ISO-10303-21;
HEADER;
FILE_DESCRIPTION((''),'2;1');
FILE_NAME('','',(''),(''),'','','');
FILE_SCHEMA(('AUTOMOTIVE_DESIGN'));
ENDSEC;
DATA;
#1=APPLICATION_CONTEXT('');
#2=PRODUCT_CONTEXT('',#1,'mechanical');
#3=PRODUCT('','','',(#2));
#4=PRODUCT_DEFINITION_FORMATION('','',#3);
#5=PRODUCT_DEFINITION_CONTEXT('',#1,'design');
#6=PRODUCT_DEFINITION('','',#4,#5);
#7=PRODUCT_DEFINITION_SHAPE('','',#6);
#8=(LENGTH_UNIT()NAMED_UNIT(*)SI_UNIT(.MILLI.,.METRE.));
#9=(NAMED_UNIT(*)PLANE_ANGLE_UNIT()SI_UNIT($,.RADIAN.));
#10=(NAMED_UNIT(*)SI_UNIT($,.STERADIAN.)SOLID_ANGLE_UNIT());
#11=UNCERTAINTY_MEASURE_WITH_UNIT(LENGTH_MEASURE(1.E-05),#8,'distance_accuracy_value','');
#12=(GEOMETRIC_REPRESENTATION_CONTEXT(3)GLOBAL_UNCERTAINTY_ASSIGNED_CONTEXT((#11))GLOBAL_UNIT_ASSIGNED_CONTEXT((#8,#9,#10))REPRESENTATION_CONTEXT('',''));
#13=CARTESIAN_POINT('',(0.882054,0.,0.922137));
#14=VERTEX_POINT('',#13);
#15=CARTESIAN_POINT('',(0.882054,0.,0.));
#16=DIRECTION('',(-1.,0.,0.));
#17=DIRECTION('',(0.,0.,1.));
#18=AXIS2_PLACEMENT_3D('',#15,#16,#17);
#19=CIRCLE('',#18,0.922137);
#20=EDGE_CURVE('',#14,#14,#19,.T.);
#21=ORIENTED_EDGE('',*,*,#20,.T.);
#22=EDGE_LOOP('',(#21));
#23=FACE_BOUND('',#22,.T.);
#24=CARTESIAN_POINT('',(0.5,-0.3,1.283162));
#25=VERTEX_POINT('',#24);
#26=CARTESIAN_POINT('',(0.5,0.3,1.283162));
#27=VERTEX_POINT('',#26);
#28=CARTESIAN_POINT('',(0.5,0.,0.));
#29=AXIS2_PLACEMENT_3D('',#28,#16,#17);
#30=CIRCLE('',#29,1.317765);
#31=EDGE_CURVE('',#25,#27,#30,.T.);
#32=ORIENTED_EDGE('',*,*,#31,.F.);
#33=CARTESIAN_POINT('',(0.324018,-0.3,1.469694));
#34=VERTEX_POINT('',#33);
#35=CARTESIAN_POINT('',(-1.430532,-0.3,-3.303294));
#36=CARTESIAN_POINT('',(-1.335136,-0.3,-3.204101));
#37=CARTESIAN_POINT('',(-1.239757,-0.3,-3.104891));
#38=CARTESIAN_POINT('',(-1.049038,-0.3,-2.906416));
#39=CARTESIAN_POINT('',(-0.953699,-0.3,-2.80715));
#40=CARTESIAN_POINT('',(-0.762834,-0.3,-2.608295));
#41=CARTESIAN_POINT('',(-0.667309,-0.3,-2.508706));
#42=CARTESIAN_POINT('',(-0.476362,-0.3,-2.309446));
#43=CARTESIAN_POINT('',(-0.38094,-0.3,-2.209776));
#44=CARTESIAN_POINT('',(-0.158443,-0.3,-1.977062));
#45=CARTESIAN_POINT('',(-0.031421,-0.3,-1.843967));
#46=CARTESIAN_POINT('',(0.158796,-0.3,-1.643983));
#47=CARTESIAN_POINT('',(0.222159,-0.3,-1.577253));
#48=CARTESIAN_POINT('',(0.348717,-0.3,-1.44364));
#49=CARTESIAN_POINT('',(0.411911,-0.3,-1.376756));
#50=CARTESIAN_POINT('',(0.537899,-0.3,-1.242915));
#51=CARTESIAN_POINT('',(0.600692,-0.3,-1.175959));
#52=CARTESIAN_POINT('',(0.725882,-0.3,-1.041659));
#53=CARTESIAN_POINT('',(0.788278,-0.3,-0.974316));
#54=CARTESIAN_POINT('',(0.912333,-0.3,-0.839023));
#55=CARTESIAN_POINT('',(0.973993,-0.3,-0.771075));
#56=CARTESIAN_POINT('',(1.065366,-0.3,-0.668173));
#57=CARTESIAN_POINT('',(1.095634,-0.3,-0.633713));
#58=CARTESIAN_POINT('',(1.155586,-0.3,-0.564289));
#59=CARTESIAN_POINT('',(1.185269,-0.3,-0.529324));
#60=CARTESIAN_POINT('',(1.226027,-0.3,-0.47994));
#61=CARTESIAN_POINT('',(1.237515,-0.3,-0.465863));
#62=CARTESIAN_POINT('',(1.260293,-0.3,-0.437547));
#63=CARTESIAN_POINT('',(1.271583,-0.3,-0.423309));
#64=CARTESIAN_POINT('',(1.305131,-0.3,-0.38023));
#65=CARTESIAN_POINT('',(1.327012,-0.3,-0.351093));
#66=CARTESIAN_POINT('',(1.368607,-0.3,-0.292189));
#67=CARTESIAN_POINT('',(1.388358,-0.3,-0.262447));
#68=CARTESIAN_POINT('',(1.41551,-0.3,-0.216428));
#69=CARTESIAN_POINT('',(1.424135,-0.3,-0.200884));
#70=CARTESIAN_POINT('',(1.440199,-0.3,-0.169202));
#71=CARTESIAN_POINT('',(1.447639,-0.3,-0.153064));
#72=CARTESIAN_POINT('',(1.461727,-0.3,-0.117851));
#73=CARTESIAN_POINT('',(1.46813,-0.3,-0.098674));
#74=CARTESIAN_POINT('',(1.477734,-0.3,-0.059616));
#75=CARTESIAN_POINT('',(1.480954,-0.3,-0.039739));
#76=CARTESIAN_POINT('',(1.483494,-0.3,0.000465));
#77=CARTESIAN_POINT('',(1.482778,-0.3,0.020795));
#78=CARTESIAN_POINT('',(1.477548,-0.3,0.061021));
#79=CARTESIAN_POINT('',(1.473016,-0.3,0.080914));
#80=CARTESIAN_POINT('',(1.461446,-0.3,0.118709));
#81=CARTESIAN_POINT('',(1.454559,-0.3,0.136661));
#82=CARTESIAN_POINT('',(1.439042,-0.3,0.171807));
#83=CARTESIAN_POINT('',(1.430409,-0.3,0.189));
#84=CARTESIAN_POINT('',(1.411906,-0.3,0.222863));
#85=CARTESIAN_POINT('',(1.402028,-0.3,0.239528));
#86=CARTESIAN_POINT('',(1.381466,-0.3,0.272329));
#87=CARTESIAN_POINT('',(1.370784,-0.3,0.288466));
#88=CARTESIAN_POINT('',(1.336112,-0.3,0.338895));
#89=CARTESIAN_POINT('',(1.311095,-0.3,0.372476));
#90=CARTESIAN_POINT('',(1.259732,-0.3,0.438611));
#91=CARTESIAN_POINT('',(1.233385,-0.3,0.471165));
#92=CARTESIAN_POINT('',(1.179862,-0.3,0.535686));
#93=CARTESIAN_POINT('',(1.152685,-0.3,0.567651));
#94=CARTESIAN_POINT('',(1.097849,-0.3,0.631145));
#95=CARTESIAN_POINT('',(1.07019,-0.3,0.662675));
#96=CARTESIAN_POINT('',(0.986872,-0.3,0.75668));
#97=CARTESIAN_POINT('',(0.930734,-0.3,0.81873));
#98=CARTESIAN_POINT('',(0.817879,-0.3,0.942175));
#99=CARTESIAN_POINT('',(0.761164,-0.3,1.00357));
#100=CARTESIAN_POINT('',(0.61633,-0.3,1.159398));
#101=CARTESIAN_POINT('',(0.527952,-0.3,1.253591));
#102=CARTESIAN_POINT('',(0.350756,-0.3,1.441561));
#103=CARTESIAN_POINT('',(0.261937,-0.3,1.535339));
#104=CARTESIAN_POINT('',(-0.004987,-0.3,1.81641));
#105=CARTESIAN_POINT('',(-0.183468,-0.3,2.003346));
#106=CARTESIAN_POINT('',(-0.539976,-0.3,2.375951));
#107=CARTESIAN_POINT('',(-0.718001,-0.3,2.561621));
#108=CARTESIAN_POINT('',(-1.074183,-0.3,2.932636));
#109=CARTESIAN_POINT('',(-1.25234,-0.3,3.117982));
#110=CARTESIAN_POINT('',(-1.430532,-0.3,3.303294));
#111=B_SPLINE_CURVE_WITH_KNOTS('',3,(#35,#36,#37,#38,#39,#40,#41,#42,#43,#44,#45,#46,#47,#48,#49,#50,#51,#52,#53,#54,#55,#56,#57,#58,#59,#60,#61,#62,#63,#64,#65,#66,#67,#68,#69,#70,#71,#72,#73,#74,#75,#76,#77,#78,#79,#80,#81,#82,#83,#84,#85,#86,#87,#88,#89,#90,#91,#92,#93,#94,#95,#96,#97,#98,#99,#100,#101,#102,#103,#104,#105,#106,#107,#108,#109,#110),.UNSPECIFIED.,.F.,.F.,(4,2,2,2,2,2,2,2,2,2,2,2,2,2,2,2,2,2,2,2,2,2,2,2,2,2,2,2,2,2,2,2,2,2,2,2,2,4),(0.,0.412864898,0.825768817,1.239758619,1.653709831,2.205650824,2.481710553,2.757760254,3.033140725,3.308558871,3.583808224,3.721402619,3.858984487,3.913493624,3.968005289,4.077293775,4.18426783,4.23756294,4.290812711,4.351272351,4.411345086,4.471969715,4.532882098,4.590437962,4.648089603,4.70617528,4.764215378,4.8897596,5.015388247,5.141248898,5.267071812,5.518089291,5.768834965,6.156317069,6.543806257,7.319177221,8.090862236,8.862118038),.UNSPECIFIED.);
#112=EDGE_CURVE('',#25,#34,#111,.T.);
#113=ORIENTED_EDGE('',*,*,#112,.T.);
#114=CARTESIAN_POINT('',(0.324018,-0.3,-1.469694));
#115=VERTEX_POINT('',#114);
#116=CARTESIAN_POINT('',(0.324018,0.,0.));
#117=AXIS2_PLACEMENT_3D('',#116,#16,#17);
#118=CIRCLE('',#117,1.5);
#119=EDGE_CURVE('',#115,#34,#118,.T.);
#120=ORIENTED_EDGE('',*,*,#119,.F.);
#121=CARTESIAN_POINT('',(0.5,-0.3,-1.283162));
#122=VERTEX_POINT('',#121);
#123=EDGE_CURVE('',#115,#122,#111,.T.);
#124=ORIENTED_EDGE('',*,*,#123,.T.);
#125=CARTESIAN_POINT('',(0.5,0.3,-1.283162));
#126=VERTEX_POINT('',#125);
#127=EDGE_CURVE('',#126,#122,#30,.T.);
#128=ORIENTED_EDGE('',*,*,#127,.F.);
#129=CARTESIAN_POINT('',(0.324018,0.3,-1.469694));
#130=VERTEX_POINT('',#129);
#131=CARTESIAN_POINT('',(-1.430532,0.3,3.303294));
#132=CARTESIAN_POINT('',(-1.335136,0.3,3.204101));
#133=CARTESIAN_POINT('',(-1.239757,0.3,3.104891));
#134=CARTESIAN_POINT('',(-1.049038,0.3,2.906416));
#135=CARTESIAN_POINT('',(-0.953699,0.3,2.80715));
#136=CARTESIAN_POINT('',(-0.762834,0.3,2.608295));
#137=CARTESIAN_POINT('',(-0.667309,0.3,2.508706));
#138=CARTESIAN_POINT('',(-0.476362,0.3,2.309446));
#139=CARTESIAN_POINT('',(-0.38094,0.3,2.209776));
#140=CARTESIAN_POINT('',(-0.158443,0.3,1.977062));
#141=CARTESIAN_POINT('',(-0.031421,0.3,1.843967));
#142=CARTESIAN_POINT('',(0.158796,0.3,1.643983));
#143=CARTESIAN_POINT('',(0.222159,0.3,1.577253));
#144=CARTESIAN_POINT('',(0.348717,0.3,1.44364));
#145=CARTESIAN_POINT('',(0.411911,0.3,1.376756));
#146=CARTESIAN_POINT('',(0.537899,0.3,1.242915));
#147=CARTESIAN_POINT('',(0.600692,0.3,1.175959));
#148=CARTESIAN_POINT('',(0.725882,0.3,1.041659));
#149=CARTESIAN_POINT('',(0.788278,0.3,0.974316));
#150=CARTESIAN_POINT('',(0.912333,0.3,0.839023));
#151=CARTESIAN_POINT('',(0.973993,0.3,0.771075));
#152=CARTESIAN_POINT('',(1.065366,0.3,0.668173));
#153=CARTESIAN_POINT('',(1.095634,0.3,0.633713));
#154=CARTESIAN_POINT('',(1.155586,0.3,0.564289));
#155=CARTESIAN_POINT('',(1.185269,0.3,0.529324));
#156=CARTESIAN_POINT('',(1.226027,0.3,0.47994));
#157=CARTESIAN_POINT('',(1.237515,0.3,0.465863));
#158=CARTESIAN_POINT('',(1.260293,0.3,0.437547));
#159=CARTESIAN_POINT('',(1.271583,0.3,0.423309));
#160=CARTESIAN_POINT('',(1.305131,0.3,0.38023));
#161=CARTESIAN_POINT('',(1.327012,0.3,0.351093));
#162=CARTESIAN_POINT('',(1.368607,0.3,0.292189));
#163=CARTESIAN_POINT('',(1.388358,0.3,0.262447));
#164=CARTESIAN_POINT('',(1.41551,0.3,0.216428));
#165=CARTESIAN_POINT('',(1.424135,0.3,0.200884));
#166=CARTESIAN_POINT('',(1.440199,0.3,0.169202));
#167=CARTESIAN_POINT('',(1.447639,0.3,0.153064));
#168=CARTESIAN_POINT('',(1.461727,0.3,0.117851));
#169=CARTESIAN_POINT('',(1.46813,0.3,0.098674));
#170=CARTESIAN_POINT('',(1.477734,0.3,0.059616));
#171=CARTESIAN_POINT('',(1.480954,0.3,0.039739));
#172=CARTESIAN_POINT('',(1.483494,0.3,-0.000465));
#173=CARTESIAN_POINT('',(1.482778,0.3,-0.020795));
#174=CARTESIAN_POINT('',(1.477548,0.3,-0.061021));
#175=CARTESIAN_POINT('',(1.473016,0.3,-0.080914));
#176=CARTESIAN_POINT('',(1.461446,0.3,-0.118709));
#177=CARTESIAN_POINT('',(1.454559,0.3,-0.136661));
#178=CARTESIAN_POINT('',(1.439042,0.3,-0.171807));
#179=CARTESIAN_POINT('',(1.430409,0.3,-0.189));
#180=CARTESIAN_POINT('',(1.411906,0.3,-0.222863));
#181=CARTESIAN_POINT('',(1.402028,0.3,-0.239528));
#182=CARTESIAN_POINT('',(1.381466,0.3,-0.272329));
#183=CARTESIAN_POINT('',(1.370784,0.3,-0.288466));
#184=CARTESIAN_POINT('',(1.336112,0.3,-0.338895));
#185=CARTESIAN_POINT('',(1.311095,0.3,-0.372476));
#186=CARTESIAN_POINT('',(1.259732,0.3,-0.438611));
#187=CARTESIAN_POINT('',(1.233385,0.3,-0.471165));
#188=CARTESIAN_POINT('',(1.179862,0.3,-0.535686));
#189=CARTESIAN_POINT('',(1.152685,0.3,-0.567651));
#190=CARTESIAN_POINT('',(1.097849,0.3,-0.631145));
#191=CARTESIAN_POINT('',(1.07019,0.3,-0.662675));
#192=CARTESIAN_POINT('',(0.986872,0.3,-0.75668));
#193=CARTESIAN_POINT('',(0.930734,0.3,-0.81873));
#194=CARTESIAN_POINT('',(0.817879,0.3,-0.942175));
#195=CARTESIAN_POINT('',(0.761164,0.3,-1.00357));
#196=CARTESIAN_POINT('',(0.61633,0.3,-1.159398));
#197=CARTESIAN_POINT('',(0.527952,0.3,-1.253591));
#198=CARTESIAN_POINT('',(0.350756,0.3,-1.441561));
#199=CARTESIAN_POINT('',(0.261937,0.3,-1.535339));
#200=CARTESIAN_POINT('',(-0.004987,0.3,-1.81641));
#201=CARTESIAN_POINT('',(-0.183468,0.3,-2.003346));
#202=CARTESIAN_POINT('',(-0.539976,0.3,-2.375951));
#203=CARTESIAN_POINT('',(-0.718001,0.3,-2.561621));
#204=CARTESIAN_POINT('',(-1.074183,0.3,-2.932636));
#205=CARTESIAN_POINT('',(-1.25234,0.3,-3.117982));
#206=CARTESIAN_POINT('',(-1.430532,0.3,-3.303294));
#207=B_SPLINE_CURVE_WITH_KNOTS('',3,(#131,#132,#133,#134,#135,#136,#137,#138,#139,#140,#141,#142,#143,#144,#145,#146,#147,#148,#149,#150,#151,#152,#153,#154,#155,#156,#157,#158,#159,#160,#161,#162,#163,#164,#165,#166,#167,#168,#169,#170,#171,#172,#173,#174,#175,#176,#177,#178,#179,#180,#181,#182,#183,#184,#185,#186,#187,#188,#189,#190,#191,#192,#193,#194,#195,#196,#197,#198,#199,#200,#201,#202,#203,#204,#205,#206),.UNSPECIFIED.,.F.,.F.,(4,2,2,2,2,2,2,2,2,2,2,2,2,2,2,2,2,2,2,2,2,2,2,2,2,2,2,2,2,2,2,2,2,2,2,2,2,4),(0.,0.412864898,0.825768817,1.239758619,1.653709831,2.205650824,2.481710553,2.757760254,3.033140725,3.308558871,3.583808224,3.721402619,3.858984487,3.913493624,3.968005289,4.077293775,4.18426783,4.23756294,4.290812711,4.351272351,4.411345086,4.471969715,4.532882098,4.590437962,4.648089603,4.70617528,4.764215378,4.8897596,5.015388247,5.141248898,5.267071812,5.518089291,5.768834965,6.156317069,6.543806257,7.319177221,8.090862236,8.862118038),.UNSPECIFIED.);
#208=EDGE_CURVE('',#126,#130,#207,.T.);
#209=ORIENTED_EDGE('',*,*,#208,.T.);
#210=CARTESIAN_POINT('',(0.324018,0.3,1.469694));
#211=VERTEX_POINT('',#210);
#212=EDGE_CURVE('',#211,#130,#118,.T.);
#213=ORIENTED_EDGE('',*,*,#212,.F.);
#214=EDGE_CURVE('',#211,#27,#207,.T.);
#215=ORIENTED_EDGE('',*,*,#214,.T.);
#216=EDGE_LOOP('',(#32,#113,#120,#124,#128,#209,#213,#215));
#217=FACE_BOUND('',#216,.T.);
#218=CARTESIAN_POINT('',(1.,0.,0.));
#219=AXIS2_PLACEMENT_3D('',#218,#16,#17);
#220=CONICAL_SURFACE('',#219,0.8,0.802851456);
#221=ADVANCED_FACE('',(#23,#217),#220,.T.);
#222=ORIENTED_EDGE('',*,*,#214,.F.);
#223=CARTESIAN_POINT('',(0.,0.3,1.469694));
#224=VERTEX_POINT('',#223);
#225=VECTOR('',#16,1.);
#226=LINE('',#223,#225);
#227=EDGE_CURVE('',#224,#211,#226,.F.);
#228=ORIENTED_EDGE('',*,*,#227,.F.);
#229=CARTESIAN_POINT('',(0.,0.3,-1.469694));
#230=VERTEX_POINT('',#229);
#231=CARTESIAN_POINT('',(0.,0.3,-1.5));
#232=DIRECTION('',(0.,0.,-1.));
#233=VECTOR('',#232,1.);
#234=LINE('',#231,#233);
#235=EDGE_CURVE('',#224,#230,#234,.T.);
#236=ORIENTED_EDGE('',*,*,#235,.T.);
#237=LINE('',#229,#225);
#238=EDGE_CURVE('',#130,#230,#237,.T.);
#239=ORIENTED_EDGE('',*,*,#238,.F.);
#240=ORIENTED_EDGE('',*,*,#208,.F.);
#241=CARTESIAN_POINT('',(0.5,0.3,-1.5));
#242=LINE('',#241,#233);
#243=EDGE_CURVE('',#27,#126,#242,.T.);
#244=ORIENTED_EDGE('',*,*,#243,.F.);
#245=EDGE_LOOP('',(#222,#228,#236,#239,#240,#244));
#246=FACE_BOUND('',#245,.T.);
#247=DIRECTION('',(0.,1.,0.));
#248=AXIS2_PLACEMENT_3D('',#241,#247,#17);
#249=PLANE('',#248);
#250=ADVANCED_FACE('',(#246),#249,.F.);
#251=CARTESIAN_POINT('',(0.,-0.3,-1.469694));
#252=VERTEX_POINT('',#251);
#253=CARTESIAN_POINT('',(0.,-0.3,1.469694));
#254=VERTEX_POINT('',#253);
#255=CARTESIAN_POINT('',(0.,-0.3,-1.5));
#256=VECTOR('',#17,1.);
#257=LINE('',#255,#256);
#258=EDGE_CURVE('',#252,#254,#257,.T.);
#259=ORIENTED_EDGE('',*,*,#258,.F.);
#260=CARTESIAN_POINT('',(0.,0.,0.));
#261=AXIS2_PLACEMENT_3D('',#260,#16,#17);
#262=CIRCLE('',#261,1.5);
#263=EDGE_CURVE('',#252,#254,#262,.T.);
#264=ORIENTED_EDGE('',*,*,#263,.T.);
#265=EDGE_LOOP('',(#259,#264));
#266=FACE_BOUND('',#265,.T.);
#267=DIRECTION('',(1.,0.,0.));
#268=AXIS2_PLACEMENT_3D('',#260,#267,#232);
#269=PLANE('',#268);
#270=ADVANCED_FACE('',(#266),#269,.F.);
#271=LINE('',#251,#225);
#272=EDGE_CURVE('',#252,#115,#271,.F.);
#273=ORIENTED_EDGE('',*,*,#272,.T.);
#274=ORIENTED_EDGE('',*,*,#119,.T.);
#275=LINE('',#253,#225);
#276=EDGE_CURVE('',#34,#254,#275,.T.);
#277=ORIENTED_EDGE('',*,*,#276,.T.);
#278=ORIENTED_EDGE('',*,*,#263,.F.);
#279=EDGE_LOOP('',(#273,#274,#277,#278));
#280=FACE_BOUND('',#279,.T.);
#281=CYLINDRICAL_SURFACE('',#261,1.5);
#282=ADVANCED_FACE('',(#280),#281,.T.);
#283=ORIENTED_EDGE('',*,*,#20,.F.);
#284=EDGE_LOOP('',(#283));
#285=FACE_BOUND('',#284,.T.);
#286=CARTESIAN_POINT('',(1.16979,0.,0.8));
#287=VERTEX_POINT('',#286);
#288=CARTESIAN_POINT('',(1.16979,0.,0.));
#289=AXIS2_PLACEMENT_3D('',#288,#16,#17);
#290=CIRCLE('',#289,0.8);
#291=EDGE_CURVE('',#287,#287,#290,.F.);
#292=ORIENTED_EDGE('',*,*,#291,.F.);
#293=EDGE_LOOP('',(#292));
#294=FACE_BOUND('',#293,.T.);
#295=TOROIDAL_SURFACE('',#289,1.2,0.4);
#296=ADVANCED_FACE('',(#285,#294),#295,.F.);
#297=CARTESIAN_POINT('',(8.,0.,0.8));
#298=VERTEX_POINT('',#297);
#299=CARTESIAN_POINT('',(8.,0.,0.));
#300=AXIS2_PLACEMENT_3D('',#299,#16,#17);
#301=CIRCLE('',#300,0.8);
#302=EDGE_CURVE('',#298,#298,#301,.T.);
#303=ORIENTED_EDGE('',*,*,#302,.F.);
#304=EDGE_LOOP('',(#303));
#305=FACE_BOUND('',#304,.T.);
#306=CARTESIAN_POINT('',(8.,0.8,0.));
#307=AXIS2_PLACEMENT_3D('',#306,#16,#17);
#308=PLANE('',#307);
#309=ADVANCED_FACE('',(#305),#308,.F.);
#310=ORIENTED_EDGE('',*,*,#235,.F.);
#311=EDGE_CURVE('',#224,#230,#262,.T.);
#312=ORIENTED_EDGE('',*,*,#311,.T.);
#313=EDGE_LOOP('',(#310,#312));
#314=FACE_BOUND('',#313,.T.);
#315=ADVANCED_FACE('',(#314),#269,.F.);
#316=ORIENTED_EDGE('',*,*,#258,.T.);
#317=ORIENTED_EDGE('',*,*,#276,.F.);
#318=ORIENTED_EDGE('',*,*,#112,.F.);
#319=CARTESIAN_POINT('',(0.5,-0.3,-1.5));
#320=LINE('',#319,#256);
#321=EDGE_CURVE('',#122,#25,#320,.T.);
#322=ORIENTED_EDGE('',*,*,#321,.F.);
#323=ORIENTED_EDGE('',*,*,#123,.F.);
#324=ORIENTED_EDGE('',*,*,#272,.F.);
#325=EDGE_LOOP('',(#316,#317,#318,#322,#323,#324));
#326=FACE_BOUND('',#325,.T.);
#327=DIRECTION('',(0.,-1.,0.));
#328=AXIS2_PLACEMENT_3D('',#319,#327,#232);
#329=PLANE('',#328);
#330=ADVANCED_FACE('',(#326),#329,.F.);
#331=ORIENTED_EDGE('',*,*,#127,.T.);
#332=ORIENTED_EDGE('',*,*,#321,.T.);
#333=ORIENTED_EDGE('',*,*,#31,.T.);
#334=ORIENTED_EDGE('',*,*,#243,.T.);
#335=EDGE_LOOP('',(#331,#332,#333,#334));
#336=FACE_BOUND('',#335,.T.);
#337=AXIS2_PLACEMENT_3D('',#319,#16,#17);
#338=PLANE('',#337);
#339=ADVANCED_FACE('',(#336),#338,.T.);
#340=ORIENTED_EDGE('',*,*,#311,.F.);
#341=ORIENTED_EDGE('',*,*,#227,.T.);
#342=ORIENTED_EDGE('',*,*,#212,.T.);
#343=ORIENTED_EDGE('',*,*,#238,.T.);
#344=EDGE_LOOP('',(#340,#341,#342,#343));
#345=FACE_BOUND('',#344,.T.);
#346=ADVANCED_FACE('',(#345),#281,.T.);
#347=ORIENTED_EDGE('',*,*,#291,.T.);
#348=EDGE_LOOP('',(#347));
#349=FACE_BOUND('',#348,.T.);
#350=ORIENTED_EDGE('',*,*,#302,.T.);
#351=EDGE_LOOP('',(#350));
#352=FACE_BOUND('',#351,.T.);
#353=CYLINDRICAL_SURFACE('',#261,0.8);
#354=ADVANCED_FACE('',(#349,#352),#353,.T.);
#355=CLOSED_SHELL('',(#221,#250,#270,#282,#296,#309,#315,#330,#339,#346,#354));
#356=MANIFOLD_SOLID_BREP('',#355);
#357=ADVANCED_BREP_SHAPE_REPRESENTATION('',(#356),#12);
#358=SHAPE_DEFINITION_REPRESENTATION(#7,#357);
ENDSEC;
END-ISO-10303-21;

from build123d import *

# Parameters (mm, degrees)
FILLET1_R  = 0.4
SLOTSKE_W  = 3
SLOTSKE_H  = 0.6
SLOT_DEPTH = 0.5


with BuildPart() as part:
    # BodySke → BaseBody (revolve)
    with BuildSketch(Plane.XY):
        Polygon((0, 0), (0, 1.5), (0.324017858, 1.5), (1, 0.8), (8, 0.8), (8, 0), align=None)
    revolve(axis=Axis((0, 0, 0), (1, 0, 0)))

    # Fillet1
    fillet1_edges = [part.edges().sort_by_distance(p)[0] for p in [
        (1, -0.8, 0),
    ]]
    fillet(fillet1_edges, radius=FILLET1_R)

    # SlotSke → Slot (cut)
    with BuildSketch(Plane.ZY):
        Rectangle(SLOTSKE_W, SLOTSKE_H)
    extrude(amount=-SLOT_DEPTH, mode=Mode.SUBTRACT)


solid = part.part
